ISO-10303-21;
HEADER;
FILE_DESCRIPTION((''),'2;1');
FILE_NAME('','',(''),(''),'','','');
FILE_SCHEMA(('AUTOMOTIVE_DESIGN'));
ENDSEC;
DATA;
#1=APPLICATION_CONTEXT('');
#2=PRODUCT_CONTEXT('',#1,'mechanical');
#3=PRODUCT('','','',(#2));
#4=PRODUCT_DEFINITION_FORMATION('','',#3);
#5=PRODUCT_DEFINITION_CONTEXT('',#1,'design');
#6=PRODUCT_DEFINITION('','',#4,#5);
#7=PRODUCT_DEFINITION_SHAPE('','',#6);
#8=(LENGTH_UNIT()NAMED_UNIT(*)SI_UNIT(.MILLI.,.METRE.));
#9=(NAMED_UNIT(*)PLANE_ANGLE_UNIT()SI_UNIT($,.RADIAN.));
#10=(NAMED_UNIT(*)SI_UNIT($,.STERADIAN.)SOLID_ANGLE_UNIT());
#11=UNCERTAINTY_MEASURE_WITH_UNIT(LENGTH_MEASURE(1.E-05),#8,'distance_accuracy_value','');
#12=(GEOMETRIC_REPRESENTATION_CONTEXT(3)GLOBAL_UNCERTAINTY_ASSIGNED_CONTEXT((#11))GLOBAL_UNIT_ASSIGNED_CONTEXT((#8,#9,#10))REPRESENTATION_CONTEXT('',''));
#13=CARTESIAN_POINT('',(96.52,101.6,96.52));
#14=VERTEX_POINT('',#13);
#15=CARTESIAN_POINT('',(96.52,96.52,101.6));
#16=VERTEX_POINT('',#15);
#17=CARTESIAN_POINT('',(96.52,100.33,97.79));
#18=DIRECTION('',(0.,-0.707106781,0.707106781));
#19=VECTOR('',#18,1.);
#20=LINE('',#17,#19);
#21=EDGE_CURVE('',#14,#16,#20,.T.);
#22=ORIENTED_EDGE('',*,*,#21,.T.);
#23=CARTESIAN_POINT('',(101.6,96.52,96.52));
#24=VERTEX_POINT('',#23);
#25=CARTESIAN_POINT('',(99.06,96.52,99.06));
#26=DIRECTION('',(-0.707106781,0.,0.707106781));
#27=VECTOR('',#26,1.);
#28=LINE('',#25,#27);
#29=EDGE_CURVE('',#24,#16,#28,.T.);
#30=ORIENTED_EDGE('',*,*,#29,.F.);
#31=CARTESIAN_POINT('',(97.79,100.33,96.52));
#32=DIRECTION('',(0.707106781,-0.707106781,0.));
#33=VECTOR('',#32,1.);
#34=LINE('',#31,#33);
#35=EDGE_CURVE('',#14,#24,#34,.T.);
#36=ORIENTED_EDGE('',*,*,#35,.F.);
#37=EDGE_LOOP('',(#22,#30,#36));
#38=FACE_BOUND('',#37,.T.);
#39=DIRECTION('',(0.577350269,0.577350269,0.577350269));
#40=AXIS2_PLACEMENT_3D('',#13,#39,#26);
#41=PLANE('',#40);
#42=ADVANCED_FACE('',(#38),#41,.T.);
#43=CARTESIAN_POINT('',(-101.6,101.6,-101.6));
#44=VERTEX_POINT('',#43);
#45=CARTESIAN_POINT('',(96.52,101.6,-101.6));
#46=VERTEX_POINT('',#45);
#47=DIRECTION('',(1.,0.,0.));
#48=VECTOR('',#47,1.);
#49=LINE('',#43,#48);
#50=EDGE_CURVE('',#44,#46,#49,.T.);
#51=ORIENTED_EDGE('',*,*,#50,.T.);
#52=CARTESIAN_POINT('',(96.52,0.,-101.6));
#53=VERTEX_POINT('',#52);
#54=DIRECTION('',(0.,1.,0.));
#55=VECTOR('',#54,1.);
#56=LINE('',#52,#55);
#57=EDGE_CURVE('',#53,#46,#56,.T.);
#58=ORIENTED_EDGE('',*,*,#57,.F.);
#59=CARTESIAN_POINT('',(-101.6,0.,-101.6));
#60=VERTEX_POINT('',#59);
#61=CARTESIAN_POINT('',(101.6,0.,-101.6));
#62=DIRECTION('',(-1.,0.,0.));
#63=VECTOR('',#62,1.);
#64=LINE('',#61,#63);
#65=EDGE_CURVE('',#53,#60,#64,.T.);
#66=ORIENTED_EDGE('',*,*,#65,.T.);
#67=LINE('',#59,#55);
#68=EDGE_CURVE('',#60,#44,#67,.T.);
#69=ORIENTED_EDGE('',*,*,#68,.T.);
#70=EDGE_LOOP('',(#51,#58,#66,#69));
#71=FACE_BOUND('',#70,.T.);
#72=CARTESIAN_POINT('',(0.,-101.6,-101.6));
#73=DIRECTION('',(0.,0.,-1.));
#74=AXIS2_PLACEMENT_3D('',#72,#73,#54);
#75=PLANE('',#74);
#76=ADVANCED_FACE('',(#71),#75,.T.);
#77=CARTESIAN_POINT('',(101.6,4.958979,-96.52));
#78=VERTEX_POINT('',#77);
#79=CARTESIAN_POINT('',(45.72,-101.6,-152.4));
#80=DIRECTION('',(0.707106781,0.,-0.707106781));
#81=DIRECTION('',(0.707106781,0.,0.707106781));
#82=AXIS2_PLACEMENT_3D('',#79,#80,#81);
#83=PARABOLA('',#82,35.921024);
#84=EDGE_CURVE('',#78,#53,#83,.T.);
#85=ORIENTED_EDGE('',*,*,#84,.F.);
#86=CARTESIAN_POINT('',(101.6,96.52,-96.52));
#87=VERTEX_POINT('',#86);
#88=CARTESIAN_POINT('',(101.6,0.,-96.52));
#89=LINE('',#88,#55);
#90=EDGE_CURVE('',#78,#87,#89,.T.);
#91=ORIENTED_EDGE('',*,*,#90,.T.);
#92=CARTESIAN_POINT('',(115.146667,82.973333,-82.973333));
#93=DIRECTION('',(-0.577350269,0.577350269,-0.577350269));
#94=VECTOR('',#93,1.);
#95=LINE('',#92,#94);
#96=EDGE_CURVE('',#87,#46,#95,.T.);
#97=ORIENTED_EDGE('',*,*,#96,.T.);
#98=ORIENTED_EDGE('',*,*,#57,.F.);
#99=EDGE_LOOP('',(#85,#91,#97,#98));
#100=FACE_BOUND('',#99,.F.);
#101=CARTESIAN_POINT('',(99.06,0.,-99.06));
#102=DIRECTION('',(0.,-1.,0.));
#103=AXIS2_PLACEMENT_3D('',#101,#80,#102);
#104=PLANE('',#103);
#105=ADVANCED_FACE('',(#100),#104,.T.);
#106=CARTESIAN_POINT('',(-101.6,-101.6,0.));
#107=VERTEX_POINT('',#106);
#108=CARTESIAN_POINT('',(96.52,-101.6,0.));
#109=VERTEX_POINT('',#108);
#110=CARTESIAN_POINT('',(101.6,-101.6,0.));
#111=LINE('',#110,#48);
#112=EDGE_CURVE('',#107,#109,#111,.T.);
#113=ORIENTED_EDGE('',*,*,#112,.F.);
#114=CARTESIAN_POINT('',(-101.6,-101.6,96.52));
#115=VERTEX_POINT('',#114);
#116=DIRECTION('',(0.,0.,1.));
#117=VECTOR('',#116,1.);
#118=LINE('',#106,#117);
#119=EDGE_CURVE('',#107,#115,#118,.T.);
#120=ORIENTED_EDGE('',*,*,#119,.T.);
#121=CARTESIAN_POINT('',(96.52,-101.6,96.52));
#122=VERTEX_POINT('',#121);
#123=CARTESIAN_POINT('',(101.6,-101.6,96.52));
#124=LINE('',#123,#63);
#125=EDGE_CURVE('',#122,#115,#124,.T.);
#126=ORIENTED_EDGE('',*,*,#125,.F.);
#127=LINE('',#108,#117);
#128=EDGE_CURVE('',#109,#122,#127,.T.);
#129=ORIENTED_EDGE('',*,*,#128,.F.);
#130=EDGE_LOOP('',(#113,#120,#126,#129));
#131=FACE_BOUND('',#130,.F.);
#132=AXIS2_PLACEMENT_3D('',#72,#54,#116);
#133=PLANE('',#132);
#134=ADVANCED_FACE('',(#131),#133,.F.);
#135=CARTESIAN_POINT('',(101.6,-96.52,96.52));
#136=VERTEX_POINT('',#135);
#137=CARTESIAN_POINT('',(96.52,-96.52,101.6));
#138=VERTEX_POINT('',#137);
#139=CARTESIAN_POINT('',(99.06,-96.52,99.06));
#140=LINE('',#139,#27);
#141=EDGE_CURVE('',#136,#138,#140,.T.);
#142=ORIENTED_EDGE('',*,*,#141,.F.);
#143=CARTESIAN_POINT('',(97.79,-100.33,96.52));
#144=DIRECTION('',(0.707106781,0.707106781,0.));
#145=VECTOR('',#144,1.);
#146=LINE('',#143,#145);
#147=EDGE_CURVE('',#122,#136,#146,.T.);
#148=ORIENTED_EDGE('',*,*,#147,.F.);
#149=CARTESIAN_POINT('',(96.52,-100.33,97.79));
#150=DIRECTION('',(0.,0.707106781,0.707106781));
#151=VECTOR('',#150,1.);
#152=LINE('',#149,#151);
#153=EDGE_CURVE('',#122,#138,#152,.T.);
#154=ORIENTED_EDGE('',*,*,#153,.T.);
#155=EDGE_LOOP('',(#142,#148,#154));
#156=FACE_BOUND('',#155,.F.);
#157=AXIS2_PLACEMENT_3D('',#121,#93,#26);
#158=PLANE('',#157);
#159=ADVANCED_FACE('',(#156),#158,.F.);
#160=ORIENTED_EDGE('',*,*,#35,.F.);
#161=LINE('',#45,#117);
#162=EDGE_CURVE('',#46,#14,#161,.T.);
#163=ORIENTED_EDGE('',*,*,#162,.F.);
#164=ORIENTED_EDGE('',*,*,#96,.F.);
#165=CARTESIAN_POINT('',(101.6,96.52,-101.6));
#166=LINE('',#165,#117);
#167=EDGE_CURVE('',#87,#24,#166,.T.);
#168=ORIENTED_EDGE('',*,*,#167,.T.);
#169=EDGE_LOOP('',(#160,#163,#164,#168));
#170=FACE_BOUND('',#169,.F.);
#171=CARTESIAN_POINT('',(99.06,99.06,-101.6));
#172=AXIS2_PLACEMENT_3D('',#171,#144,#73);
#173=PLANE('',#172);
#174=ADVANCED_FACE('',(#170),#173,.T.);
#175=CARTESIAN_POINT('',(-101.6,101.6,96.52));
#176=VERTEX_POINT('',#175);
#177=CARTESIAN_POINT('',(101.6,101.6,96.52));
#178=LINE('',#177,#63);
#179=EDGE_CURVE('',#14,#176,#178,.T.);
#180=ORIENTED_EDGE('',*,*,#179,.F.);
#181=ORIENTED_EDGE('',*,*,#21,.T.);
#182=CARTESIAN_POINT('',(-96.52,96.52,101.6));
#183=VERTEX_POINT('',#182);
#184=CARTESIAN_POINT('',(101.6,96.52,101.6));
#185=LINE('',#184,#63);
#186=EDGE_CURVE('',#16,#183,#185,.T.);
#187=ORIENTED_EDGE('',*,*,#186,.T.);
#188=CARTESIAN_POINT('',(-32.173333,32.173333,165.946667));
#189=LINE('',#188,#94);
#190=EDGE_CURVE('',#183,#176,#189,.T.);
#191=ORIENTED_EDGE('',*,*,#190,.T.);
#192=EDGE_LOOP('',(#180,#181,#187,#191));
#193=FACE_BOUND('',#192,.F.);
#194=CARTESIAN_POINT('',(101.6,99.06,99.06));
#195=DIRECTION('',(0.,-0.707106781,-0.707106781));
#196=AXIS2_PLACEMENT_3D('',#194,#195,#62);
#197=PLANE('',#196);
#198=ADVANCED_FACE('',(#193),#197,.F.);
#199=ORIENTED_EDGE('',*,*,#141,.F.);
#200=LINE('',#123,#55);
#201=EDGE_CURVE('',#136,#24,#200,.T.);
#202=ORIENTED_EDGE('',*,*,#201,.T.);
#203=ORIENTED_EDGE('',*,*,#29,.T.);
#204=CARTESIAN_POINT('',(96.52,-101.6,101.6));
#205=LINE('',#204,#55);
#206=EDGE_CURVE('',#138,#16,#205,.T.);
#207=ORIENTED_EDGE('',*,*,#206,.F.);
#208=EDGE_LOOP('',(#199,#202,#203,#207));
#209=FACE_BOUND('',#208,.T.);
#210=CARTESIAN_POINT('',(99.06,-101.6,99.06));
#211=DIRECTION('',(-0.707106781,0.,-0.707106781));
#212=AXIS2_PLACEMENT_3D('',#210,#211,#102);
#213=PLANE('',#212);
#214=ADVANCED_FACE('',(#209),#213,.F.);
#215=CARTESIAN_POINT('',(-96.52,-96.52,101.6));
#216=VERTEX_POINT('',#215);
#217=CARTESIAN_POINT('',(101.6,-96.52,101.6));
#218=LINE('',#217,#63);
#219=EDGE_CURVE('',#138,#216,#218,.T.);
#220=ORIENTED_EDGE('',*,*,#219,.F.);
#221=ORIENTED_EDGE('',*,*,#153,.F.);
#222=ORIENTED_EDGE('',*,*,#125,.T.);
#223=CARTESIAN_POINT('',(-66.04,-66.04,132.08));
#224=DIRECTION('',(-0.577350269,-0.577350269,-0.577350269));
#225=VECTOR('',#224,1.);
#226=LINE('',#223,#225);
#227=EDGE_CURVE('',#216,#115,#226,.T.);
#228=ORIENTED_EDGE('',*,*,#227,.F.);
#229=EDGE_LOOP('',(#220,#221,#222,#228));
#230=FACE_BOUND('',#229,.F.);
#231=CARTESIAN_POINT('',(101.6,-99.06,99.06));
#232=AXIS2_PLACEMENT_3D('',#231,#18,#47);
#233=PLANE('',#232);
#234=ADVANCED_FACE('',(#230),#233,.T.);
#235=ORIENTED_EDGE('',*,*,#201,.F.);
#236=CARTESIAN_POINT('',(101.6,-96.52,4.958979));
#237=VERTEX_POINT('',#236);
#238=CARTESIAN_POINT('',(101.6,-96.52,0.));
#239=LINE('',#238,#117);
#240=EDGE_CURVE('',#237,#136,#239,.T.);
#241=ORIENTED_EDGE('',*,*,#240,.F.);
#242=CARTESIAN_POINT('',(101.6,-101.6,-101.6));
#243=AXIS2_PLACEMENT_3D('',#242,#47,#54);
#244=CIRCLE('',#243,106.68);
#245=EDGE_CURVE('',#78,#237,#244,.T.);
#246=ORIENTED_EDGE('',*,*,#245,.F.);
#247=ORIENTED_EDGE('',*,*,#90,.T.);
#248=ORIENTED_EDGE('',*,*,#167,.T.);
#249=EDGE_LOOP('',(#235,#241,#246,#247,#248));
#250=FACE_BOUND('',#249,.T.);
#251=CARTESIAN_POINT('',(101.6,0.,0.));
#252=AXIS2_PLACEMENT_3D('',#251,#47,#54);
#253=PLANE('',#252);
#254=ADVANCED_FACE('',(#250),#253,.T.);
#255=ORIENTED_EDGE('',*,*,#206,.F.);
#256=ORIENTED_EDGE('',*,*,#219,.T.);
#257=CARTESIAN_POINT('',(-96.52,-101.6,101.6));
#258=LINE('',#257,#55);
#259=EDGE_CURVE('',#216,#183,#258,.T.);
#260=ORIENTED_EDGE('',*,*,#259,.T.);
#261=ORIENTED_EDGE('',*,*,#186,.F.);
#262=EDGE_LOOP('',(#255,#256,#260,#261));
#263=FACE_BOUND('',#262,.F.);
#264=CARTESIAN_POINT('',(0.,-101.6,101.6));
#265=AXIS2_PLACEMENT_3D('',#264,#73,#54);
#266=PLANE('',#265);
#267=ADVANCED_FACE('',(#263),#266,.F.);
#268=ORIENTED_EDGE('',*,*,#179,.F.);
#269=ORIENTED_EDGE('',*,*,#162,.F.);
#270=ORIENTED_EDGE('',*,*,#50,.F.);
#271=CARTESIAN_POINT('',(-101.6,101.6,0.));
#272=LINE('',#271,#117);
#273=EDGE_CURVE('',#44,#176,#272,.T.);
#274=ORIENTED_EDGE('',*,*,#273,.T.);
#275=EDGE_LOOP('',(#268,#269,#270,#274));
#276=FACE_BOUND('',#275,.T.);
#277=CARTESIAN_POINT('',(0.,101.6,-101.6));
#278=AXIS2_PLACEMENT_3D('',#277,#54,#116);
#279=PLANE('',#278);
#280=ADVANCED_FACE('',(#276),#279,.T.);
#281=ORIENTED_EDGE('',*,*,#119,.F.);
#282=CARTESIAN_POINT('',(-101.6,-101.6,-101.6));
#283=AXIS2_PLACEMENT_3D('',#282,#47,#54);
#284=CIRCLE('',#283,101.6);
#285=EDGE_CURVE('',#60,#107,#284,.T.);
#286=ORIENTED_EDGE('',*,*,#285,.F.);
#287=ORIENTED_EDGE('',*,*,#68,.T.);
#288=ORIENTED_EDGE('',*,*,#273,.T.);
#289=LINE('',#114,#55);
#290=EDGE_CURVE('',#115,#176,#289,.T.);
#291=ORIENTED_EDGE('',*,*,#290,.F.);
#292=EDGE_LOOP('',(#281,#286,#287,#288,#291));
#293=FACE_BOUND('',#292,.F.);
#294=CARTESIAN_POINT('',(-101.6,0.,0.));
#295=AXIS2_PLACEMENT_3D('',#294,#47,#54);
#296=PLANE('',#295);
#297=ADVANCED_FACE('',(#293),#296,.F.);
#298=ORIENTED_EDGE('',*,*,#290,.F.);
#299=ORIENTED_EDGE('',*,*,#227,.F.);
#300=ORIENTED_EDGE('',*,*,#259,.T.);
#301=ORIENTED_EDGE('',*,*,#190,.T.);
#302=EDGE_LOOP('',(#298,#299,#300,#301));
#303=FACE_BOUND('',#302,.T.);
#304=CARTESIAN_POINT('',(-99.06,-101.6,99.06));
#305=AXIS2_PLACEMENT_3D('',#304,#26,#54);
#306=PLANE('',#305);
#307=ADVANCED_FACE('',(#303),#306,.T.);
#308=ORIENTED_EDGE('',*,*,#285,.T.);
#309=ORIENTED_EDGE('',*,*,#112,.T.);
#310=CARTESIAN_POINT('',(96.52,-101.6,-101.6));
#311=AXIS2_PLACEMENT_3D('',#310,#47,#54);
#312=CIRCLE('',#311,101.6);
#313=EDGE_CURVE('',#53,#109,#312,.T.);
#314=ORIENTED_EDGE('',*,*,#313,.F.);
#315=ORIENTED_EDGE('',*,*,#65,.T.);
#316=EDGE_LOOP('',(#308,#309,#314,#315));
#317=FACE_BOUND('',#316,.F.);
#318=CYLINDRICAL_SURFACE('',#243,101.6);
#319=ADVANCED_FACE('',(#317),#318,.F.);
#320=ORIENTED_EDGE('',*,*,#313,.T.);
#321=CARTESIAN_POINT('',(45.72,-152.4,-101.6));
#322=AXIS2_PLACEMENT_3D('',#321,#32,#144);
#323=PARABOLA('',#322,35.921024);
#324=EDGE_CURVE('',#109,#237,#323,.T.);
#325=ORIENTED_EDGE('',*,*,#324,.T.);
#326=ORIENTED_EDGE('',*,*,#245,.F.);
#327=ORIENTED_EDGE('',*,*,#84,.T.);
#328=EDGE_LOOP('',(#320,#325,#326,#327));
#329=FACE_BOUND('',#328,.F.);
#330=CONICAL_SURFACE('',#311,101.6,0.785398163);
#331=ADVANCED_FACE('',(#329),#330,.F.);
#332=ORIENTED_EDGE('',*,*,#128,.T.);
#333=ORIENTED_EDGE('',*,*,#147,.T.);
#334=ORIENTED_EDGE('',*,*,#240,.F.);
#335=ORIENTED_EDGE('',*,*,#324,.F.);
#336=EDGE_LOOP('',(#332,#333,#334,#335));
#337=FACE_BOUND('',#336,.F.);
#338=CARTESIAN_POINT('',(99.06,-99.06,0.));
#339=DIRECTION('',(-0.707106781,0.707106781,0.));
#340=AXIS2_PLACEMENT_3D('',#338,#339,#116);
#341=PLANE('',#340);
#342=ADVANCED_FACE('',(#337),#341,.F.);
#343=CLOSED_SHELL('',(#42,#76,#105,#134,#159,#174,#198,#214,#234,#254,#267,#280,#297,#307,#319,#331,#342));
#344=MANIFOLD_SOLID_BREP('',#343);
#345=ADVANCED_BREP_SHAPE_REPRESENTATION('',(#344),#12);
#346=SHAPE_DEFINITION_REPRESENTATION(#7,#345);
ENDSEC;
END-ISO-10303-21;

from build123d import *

# Parameters (mm, degrees)
F0_W     = 203.2
F0_H     = 203.2
F1_DEPTH = 101.6
F2_R     = 101.6
F3_DEPTH = 203.201
F4_SIZE  = 5.08


with BuildPart() as f1:
    # F0 (on Right) → F1 (new body, symmetric)
    with BuildSketch(Plane.YZ):
        Rectangle(F0_W, F0_H)
    extrude(amount=F1_DEPTH, both=True)

    # F2 (on face) → F3 (cut, through all)
    with BuildSketch(Plane.YZ.offset(101.6)):
        with Locations((-101.6, -101.6)):
            Circle(F2_R)
    extrude(amount=-F3_DEPTH, mode=Mode.SUBTRACT)

    # F4
    f4_edges = [f1.edges().sort_by_distance(p)[0] for p in [
        (101.6, 0, 101.6),
        (101.6, 101.6, 0),
        (101.6, 50.8, -101.6),
        (101.6, -29.757951, -29.757951),
        (101.6, -101.6, 50.8),
        (-101.6, 0, 101.6),
        (0, -101.6, 101.6),
        (0, 101.6, 101.6),
    ]]
    chamfer(f4_edges, length=F4_SIZE)


solid = f1.part
